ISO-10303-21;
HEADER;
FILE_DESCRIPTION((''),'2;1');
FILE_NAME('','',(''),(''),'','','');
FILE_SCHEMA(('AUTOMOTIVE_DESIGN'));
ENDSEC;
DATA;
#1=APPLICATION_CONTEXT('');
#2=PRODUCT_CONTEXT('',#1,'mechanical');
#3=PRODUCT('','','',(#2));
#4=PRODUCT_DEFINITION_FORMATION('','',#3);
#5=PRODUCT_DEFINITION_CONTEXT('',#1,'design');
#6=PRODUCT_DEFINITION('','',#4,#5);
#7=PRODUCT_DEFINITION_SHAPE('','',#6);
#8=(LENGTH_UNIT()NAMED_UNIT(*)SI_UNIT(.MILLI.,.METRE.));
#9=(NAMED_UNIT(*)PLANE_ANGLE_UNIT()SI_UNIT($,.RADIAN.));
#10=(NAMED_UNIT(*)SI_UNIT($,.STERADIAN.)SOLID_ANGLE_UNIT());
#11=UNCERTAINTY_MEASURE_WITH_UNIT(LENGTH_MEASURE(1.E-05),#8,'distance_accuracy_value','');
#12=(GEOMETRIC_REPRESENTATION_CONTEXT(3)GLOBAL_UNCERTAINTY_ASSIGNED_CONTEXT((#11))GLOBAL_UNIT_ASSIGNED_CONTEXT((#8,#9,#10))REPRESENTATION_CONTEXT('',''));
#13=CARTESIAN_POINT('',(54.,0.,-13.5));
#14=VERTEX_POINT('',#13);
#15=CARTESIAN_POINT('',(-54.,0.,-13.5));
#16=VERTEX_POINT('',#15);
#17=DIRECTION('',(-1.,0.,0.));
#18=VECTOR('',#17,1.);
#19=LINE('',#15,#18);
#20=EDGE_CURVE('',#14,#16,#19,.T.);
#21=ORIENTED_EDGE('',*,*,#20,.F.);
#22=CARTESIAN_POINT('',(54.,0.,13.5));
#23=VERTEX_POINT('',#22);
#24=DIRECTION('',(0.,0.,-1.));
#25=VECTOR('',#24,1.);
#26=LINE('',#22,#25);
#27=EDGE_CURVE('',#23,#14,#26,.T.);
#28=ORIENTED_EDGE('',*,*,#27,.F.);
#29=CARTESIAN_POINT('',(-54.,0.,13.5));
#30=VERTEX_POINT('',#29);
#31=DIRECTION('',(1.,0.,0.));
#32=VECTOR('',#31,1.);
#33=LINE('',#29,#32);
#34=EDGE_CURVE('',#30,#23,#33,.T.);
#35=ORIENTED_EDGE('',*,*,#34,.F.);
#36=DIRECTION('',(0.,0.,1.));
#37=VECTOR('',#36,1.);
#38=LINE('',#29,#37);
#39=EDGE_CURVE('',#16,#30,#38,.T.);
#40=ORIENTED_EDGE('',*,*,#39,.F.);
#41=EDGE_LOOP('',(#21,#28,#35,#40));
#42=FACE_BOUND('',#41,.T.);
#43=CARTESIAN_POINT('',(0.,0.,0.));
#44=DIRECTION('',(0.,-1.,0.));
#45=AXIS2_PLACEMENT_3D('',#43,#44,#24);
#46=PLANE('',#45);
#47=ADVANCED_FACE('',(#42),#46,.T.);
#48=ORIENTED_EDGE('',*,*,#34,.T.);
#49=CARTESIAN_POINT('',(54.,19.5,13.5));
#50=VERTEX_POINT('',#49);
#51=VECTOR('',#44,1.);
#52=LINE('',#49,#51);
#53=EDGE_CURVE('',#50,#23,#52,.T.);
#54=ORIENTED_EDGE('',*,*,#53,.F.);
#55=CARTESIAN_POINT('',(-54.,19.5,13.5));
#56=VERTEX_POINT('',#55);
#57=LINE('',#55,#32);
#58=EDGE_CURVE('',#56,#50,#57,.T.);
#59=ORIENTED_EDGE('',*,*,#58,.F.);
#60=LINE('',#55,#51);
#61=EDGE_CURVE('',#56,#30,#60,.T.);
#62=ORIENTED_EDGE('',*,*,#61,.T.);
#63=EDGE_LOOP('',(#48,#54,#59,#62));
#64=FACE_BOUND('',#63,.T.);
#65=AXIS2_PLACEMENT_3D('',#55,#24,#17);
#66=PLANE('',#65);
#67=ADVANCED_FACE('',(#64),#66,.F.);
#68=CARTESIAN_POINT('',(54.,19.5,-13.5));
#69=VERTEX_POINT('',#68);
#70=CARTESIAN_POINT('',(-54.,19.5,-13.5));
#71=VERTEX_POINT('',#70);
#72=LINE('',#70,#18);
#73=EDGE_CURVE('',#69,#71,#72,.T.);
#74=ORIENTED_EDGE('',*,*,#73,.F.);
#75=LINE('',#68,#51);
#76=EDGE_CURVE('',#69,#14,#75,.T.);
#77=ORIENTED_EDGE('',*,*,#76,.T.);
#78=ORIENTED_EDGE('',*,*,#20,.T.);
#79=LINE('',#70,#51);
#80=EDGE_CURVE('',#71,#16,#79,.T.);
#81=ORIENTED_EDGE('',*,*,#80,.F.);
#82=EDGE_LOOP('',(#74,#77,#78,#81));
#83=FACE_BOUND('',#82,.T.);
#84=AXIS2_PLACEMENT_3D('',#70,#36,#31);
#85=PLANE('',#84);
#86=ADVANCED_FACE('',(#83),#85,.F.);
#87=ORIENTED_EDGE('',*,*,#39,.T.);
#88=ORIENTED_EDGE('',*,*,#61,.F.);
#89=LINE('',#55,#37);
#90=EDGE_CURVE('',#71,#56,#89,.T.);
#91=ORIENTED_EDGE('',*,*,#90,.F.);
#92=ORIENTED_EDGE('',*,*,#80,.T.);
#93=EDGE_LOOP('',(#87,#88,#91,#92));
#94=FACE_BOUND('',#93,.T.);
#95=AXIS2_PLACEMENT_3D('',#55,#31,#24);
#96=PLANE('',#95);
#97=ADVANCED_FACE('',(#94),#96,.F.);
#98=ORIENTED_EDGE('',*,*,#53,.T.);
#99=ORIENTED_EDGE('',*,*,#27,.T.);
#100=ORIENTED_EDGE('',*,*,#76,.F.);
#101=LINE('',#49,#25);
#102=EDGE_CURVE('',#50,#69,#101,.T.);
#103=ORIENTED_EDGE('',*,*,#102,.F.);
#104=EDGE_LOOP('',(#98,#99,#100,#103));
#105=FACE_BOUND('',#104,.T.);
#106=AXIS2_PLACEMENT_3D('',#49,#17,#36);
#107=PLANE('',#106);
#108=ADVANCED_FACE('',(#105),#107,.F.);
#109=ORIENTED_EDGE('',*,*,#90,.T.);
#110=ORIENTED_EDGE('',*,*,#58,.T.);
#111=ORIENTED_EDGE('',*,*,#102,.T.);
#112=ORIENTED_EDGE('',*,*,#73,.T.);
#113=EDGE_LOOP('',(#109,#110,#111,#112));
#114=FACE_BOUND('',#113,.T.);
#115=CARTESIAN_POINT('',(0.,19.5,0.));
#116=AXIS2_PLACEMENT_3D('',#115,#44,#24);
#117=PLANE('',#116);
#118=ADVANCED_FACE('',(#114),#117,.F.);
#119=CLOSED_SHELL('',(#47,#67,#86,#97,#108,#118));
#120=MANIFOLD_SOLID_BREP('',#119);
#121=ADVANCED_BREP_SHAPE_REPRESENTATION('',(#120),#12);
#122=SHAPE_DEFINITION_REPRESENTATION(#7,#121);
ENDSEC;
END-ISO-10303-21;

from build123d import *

# Parameters (mm, degrees)
IZIM1_W                     = 108
IZIM1_H                     = 27
Y_KSEKLIK_EKSTR_ZYON1_DEPTH = 19.5


with BuildPart() as part:
    # Çizim1 → Yükseklik-Ekstrüzyon1 (new body)
    with BuildSketch(Plane(origin=(0, 0, 0), x_dir=(1, 0, 0), z_dir=(0, 1, 0))):
        Rectangle(IZIM1_W, IZIM1_H)
    extrude(amount=Y_KSEKLIK_EKSTR_ZYON1_DEPTH)


solid = part.part
